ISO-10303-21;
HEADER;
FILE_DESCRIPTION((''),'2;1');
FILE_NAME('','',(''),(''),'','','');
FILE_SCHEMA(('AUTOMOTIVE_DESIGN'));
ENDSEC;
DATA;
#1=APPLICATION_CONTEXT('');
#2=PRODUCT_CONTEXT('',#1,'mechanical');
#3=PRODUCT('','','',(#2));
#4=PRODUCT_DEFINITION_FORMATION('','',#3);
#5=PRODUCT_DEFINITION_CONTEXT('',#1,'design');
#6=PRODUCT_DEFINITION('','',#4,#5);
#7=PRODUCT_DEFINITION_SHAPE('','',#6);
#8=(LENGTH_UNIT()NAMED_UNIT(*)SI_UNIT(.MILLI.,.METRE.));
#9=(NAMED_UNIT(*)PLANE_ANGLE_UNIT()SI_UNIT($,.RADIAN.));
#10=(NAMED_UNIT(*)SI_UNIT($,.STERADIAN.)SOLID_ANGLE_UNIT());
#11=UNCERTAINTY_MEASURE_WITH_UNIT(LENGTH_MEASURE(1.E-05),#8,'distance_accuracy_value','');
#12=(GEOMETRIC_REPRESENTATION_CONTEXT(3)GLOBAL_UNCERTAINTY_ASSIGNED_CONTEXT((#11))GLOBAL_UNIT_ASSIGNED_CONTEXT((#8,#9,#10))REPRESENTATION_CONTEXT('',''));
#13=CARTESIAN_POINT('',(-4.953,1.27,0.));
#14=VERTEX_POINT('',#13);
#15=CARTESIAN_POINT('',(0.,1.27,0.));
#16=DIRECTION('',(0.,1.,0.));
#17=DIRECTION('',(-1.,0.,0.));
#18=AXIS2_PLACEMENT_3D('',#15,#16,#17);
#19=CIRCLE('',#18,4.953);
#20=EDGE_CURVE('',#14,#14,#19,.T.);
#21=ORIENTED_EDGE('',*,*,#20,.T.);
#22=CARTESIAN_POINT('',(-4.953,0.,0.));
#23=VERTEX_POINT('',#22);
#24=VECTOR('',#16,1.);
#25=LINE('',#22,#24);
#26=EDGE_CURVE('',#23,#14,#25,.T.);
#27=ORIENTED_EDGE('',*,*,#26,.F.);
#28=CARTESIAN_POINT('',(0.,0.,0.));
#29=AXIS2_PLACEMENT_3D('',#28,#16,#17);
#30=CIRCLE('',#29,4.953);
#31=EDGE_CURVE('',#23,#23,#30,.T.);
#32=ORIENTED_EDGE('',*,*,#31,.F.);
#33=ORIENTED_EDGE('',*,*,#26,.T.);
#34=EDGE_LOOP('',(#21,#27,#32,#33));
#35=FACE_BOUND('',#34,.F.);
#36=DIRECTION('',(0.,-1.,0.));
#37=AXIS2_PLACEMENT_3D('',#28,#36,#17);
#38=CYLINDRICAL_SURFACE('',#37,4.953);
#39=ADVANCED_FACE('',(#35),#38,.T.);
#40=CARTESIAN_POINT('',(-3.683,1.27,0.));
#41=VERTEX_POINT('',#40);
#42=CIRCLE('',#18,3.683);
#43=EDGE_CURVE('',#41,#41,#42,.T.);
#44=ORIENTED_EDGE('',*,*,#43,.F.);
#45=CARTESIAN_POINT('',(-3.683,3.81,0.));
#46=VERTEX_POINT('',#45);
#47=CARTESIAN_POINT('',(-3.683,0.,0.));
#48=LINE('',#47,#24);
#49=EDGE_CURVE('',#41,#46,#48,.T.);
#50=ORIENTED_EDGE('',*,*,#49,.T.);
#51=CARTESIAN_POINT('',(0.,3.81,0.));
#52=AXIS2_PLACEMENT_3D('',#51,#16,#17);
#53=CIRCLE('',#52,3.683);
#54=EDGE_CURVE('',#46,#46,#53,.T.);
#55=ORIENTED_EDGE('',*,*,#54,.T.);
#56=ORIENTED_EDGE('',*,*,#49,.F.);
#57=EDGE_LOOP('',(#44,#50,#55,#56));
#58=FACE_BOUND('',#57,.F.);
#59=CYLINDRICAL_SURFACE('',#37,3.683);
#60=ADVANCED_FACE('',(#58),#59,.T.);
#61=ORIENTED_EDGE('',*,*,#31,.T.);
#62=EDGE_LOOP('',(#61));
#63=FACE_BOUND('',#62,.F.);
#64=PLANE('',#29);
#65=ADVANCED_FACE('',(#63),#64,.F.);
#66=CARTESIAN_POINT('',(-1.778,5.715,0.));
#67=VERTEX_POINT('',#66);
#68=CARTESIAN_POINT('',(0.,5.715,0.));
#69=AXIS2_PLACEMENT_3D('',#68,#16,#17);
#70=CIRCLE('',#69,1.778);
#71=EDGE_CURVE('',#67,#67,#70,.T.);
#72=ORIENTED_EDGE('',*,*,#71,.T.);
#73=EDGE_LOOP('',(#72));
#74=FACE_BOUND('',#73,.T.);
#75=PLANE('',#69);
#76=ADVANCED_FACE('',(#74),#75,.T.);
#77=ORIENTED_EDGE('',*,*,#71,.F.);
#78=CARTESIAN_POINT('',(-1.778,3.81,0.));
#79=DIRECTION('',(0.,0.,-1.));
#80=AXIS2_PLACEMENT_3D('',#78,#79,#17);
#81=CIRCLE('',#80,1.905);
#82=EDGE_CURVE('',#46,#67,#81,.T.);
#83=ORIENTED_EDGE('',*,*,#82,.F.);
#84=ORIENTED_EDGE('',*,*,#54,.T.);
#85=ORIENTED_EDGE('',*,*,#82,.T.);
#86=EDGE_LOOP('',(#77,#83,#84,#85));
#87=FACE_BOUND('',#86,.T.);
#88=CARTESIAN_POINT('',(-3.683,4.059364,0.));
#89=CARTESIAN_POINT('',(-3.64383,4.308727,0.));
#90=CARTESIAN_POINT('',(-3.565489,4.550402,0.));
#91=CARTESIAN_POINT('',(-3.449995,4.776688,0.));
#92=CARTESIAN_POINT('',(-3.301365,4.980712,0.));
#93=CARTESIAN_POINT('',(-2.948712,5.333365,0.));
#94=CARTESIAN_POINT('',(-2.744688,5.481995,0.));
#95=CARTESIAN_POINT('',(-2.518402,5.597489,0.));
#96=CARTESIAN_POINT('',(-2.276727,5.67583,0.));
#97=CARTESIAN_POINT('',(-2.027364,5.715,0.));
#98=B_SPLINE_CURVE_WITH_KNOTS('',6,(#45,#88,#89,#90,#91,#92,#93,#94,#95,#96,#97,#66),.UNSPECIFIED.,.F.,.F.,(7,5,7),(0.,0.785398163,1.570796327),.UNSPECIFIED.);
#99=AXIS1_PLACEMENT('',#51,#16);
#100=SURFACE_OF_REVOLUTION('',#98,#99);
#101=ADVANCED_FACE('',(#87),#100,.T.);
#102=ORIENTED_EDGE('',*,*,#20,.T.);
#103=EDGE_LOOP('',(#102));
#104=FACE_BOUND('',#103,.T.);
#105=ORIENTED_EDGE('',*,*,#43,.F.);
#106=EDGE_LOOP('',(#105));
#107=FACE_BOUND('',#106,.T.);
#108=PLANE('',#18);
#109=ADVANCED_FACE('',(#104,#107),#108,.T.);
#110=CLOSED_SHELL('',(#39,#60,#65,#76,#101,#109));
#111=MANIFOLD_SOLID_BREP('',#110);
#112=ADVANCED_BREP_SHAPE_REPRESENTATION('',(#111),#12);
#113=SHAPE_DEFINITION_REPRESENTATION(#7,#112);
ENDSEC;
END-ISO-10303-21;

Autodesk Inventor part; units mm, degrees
ref_plane "YZ Plane" through (0, 0, 0) normal (1, 0, 0) x (0, 1, 0)
ref_plane "XZ Plane" through (0, 0, 0) normal (0, 1, 0) x (-1, 0, 0)
ref_plane "XY Plane" through (0, 0, 0) normal (0, 0, 1) x (1, 0, 0)
sketch "Sketch1" plane through (0, 0, 0) normal (0, 1, 0) x (-1, 0, 0)
  circle A0 centre (0, 0) radius 3.683
  circle A1 centre (0, 0) radius 4.953
  dimension "d0" = 7.366
  dimension "d1" = 9.906
extrude "Extrusion1" add sketch "Sketch1" along normal blind 5.715 contours A0
extrude "Extrusion2" add sketch "Sketch1" along normal blind 1.27
fillet "Fillet1" radius 1.905 1 edges at (3.683, 5.715, 0)
properties part number "Button_switch"
